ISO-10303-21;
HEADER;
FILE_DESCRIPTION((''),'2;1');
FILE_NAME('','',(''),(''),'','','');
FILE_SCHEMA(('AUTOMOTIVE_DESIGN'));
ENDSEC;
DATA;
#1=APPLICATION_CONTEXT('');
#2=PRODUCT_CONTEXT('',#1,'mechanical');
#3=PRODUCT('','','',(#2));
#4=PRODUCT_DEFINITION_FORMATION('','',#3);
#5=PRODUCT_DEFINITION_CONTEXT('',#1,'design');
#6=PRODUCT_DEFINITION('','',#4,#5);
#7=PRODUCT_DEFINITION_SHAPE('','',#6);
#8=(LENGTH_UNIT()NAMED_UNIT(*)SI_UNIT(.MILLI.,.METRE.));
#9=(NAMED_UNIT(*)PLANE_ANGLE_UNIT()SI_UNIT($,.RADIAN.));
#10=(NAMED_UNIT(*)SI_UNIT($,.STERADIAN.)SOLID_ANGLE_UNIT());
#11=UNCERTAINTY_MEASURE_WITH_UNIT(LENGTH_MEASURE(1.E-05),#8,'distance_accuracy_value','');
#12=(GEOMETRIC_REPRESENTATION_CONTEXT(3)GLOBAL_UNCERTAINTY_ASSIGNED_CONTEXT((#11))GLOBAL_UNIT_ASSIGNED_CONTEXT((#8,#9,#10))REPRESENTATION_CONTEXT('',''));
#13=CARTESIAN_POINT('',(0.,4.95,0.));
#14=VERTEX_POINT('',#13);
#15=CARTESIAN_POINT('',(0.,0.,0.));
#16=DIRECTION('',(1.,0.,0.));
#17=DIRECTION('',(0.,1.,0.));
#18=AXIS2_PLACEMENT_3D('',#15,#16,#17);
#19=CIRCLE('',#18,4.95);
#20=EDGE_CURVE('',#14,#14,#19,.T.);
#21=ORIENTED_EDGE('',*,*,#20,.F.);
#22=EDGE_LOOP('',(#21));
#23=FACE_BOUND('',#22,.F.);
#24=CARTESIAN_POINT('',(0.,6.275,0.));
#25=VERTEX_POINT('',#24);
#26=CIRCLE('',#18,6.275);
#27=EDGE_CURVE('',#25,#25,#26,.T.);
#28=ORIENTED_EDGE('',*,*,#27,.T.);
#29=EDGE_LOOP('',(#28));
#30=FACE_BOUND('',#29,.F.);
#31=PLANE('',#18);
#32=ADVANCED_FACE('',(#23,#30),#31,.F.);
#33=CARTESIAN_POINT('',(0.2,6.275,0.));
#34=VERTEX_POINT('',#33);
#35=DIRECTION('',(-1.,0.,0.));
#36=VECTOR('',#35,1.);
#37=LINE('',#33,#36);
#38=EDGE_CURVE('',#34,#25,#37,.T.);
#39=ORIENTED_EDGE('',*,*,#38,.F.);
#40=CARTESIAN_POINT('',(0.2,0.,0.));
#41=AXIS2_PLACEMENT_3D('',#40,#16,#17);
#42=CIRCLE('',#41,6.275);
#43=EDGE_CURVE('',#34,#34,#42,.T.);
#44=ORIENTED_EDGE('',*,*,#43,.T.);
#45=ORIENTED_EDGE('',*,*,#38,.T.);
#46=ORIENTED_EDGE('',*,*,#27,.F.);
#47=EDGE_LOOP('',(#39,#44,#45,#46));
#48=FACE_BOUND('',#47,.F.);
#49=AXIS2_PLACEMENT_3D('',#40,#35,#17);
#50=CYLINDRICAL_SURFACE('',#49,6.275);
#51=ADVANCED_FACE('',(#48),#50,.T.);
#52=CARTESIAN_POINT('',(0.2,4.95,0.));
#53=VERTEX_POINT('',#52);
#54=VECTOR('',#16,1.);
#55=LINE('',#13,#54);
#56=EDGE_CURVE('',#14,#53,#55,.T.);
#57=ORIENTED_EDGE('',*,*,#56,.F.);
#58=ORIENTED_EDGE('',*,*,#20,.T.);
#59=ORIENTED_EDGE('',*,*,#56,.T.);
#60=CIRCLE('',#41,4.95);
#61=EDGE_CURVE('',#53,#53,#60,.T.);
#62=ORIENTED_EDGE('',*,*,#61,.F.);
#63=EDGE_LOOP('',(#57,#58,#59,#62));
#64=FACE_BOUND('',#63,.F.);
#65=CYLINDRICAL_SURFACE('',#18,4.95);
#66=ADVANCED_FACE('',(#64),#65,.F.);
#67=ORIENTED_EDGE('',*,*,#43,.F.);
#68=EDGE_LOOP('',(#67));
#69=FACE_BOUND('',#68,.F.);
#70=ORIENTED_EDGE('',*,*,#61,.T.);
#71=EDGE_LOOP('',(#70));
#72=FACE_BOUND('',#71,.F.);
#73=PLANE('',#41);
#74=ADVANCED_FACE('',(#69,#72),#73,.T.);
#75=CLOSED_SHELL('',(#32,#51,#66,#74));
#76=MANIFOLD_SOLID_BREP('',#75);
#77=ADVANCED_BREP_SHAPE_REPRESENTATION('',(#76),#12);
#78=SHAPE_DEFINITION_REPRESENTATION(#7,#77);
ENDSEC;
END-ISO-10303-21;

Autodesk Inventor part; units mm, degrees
sketch "Sketch_1" plane through (0, 0, 0) normal (0, 0, 1) x (1, 0, 0)
  line L0 (0.2, 0) -> (0, 0)
  line L1 (0, 6.275) -> (0, 4.95)
  line L2 (0, 4.95) -> (0.2, 4.95)
  line L3 (0.2, 4.95) -> (0.2, 6.275)
  line L4 (0.2, 6.275) -> (0, 6.275)
revolve "Revolution1" add sketch "Sketch_1" angle 360 about axis through (0.2, 0, 0) along (1, 0, 0)
ref_plane "1_XY" through (0, 0, 0) normal (1, 0, 0) x (0, 0, -1)
ref_plane "1_YZ" through (0, 0, 0) normal (0, 0, -1) x (0, 1, 0)
ref_plane "1_ZX" through (0, 0, 0) normal (0, 1, 0) x (1, 0, 0)
properties part number "LF-1480ZZ_shield" material "鋼、炭素鋼"
